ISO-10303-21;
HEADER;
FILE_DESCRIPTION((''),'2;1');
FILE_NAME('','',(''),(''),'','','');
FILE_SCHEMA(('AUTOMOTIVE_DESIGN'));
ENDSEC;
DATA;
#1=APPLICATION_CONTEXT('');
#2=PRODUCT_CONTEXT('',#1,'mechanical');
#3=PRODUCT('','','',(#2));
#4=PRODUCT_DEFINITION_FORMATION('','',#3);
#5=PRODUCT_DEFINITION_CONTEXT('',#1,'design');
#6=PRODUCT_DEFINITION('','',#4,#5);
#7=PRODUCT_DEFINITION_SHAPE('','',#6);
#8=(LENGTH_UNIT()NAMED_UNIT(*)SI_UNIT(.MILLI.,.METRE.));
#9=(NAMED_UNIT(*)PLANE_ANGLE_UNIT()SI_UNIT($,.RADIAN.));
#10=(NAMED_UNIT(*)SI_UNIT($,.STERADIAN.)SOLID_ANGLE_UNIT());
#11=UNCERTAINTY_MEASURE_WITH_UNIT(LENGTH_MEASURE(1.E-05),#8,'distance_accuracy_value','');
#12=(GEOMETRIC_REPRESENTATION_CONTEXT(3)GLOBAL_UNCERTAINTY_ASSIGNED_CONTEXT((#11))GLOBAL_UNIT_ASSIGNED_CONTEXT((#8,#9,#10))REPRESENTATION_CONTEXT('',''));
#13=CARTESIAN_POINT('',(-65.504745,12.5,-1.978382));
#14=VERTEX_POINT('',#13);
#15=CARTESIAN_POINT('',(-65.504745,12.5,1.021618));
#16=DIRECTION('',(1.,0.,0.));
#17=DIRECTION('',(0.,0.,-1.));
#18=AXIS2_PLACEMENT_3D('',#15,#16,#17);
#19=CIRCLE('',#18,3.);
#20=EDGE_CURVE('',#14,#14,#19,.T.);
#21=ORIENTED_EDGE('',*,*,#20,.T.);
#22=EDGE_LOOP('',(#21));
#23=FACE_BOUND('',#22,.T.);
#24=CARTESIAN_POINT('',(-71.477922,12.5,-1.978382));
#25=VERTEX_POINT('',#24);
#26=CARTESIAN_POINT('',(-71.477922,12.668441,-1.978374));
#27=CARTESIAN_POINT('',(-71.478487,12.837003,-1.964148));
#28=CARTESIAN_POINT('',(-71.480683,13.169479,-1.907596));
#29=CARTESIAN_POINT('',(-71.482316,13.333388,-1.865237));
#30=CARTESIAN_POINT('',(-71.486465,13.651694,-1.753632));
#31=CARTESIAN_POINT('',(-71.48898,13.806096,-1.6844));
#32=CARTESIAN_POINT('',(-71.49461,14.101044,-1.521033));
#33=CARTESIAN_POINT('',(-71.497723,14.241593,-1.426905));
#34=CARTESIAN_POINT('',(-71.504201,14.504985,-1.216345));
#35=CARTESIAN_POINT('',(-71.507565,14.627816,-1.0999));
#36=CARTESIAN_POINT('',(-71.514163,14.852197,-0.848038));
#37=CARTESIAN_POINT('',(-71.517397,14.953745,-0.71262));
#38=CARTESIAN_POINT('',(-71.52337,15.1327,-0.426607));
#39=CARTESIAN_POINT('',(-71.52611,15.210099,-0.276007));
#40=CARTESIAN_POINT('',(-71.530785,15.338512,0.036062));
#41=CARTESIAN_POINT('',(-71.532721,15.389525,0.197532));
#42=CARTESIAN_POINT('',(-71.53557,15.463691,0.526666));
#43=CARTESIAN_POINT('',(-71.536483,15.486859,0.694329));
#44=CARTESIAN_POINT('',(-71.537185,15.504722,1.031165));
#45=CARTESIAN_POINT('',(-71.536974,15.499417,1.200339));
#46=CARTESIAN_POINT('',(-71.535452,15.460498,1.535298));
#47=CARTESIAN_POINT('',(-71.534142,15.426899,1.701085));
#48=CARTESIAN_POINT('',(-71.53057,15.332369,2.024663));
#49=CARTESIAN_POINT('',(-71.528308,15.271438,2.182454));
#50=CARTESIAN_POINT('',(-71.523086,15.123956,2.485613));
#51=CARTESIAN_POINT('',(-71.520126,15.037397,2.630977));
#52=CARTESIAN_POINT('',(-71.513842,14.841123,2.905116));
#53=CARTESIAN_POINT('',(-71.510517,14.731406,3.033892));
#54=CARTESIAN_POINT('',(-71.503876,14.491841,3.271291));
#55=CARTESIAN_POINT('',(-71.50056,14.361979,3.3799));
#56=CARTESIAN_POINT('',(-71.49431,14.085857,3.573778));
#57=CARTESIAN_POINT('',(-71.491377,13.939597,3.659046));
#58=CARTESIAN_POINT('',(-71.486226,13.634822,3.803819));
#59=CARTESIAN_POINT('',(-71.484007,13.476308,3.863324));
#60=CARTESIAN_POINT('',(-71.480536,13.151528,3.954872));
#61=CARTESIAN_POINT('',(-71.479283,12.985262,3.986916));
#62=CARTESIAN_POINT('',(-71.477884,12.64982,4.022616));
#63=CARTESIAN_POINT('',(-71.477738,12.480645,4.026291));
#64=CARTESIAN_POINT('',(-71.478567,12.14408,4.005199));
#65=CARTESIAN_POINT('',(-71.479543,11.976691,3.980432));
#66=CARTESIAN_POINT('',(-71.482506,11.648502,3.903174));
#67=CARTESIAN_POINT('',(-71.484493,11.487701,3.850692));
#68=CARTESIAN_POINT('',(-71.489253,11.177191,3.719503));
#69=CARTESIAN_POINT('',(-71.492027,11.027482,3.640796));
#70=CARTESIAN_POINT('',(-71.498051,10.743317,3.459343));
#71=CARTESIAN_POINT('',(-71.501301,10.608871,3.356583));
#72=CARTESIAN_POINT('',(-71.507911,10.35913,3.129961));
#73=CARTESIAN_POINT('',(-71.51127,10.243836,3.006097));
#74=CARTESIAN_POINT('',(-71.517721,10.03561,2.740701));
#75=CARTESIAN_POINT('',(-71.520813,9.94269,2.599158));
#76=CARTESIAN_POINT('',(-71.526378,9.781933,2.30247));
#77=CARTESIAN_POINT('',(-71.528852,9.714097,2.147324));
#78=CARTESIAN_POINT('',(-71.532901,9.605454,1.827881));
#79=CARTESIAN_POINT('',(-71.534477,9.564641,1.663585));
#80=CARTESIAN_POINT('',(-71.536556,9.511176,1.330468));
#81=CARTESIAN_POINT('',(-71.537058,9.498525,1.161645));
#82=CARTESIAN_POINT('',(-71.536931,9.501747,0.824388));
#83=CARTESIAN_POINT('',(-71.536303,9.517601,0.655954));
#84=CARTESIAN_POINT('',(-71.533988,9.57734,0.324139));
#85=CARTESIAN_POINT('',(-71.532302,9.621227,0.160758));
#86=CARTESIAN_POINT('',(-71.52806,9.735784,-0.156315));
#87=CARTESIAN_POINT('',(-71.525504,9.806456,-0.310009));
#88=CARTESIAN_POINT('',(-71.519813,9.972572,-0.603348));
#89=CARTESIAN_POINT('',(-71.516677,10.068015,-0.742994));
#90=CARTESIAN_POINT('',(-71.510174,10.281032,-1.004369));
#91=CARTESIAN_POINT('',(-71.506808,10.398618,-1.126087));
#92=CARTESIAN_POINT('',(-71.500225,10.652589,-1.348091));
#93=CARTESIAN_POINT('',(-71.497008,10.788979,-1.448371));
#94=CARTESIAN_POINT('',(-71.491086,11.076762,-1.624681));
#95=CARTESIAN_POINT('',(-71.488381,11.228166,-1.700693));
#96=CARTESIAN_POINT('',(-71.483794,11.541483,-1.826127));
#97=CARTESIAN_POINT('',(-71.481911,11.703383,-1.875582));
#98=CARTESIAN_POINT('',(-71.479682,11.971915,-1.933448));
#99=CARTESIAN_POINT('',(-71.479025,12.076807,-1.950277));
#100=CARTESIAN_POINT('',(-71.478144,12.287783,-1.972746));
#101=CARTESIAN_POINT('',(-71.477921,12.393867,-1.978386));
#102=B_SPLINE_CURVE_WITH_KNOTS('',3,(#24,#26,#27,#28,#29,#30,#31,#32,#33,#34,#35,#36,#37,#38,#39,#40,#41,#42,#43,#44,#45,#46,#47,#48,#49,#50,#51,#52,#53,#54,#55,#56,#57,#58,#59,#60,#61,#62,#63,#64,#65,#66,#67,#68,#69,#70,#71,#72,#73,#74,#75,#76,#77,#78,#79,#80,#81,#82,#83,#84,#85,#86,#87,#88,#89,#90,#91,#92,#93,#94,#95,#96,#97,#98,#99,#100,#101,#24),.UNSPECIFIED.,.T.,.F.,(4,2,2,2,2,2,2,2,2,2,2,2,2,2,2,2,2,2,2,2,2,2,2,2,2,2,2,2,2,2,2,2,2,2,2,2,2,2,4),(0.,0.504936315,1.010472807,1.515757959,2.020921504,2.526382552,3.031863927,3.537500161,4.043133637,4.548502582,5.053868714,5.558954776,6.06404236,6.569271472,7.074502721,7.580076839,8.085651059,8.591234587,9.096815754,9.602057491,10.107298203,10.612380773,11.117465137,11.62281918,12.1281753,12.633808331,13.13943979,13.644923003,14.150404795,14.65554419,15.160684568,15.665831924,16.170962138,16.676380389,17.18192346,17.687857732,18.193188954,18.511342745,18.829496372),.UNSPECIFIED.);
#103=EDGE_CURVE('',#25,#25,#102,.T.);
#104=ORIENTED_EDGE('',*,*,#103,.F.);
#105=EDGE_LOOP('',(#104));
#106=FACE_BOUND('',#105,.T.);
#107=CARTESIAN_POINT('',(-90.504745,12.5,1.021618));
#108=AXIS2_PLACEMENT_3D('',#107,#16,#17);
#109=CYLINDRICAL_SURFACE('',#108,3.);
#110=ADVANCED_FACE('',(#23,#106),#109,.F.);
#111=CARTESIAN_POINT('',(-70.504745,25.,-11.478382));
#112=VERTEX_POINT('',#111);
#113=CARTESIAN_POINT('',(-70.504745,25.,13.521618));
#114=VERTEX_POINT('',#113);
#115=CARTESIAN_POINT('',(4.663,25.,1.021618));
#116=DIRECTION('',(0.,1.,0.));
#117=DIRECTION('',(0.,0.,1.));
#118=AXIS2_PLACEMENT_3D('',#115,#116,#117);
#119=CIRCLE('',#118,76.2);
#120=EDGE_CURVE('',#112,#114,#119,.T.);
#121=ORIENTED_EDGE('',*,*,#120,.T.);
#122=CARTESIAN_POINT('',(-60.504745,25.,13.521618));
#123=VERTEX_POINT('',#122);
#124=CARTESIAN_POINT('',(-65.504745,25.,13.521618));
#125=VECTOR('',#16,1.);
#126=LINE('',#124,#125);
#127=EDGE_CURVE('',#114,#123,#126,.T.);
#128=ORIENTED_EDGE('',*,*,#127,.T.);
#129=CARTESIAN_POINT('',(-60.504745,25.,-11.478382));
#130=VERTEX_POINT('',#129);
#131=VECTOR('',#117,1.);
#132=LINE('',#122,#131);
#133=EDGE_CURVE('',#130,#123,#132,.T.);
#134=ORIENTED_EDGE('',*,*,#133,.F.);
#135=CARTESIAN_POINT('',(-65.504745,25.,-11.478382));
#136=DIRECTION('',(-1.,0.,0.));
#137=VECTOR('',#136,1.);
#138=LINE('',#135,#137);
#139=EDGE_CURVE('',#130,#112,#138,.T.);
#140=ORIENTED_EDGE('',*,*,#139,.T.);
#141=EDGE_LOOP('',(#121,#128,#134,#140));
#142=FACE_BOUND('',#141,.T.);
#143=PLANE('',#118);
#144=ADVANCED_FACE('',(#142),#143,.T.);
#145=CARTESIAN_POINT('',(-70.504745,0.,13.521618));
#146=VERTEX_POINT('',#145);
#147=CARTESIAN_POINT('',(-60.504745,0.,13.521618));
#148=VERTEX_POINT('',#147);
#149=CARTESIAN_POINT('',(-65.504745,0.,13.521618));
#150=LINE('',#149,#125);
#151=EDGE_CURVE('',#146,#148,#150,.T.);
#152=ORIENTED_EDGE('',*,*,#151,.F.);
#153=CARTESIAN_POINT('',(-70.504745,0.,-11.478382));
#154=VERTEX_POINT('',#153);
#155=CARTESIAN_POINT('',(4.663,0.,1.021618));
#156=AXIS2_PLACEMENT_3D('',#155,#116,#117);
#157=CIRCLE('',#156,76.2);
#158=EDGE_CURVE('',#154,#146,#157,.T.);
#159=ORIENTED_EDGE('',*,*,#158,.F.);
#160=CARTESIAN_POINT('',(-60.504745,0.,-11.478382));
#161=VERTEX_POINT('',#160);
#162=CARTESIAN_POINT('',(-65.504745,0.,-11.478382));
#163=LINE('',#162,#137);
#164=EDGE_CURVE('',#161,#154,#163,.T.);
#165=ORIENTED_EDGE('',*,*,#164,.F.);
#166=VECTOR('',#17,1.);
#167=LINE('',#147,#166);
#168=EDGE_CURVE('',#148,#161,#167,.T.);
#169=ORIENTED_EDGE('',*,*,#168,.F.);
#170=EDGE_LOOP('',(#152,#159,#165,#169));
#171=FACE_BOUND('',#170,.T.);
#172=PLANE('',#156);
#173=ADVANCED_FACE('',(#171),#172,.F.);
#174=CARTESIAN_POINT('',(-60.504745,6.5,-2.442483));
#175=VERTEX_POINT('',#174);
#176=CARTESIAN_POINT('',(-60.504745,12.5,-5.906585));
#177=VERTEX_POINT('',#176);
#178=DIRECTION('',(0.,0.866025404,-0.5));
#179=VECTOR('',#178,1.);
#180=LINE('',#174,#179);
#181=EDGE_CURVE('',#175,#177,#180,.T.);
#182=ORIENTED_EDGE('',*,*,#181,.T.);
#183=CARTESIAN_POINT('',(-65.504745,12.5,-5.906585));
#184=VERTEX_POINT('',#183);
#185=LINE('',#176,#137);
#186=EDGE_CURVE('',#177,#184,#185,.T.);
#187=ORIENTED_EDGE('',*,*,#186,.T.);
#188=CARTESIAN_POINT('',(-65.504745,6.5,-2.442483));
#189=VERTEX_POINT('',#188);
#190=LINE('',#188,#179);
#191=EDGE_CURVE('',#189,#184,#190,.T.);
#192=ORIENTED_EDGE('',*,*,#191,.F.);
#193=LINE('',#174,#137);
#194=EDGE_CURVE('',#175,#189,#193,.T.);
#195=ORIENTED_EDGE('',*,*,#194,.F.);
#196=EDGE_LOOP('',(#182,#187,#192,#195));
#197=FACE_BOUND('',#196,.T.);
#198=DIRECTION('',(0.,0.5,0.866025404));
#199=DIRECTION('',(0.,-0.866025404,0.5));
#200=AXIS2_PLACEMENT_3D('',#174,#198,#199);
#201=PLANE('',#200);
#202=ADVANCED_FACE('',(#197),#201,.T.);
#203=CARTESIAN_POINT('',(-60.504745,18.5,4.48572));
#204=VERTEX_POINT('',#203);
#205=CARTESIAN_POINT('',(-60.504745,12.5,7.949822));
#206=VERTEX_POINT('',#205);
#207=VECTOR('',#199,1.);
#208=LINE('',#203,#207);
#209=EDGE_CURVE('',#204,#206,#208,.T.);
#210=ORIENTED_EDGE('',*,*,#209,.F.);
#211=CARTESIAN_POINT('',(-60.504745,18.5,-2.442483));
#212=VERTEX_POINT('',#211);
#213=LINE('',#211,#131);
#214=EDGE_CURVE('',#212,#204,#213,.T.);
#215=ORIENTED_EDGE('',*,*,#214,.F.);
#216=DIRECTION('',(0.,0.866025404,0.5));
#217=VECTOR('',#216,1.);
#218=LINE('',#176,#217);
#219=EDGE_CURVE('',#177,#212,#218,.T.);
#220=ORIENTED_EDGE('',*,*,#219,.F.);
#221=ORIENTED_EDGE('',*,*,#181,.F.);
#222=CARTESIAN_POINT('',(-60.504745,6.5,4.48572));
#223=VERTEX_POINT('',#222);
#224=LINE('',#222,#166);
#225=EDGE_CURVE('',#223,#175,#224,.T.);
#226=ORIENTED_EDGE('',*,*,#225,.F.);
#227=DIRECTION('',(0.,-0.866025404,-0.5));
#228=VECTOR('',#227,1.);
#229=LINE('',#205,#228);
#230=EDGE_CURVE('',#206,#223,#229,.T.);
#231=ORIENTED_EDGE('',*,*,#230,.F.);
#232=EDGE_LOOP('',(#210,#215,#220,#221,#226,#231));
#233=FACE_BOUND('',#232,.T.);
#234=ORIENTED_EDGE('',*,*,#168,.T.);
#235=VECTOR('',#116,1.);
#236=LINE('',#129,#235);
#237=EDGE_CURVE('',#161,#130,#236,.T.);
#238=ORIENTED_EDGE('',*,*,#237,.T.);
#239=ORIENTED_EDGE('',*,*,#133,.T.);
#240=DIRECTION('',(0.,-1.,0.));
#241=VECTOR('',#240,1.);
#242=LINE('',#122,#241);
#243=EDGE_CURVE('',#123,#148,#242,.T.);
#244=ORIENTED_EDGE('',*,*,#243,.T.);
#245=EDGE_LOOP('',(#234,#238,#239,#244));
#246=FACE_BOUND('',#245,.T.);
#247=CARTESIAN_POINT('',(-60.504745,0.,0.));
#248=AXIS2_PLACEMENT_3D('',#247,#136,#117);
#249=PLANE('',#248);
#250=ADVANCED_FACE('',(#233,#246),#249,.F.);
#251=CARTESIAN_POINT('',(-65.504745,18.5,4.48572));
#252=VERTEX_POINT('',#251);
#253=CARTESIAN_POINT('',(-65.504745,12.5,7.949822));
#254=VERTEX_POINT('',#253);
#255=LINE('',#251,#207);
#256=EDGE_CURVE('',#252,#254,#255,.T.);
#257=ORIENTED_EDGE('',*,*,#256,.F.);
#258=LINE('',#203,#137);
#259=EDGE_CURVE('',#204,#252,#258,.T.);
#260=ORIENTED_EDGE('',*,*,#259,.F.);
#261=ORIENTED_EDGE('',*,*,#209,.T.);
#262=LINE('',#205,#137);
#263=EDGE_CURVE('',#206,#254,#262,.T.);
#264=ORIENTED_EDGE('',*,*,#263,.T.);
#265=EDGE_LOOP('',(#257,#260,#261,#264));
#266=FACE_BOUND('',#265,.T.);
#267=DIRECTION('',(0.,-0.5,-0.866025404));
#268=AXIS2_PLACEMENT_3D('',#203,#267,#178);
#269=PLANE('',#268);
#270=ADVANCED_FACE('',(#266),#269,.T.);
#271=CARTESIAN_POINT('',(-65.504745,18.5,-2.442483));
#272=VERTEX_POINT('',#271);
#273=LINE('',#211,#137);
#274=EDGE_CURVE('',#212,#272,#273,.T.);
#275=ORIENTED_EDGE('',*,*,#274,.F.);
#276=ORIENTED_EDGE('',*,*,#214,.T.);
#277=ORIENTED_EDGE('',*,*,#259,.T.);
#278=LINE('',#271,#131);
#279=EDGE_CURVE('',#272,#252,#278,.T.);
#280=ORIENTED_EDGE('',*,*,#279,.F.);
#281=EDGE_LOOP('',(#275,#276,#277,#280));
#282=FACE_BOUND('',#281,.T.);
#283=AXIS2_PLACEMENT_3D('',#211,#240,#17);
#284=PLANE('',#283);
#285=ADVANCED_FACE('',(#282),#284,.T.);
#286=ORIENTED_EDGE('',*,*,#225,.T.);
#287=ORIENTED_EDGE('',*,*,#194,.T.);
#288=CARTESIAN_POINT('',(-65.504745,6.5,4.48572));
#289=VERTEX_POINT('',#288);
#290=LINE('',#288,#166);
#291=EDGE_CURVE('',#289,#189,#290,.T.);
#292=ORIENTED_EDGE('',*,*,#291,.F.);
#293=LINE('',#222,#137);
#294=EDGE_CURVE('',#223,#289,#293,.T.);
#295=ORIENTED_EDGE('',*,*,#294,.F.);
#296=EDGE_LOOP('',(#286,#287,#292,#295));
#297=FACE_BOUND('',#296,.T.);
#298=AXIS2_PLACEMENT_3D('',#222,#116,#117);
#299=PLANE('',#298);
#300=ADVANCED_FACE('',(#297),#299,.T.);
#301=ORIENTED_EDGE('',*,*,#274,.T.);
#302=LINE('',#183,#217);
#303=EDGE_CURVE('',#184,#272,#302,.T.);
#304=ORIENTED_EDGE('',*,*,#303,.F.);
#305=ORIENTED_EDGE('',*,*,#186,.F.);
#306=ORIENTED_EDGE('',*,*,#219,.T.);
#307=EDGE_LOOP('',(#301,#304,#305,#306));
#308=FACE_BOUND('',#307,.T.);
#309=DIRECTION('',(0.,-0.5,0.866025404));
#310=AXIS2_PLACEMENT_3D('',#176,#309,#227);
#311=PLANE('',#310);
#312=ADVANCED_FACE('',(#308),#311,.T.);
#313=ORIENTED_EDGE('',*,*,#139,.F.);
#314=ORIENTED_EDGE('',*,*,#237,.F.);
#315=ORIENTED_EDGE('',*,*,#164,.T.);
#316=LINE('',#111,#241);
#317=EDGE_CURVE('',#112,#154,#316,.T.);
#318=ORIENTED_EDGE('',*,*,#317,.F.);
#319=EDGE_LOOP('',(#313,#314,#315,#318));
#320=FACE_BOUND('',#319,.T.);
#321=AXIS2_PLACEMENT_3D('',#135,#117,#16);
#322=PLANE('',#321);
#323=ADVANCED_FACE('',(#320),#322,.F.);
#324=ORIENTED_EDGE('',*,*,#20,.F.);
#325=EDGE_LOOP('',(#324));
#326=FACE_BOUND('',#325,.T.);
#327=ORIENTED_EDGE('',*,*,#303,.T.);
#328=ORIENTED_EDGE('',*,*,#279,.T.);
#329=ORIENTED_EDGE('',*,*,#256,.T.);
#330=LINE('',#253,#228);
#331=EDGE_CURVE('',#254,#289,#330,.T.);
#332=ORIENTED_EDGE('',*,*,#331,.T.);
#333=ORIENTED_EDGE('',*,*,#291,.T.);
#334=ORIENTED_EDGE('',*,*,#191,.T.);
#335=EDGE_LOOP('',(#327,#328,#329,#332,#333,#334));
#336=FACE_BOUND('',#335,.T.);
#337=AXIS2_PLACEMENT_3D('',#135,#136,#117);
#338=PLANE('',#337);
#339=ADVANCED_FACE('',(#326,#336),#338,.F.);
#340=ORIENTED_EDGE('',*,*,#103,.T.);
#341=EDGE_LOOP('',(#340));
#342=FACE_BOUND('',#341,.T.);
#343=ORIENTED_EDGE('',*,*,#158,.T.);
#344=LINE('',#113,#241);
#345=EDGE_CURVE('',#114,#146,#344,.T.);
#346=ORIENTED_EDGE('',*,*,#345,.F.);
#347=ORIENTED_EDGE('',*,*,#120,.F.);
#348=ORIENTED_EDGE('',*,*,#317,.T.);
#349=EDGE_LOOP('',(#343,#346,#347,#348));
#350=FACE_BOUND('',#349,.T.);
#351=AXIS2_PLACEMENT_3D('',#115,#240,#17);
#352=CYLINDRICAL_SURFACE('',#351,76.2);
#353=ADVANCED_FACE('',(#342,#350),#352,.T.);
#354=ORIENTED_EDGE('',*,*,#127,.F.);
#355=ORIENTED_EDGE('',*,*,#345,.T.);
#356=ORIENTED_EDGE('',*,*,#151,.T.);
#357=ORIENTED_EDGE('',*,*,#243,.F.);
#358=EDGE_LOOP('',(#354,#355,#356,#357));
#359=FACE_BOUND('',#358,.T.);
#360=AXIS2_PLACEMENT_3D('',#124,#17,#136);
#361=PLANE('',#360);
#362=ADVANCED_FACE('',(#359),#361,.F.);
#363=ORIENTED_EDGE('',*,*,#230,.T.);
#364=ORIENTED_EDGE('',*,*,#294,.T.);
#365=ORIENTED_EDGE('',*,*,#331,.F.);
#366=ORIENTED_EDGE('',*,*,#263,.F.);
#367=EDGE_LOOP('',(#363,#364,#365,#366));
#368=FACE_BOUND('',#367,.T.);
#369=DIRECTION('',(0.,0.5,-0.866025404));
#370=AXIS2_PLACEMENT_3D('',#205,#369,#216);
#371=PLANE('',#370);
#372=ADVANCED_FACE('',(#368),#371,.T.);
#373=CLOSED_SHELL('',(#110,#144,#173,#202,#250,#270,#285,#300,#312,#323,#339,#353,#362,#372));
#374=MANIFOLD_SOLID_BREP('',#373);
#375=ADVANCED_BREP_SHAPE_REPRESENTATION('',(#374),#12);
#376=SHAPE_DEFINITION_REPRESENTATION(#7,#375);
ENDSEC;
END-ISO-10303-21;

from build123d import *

# Parameters (mm, degrees)
BOSS_EXTRUDE1_DEPTH = 25
SKETCH2_R           = 3
CUT_EXTRUDE1_DEPTH  = 25
SKETCH3_W           = 25
SKETCH3_H           = 25
BOSS_EXTRUDE2_DEPTH = 5


with BuildPart() as part:
    # Sketch1 → Boss-Extrude1 (new body)
    with BuildSketch(Plane(origin=(0, 0, 0), x_dir=(1, 0, 0), z_dir=(0, 1, 0))):
        with BuildLine():
            Line((-65.504745346, 11.478381524), (-65.504745346, -13.521618476))
            Line((-65.504745346, -13.521618476), (-70.504745346, -13.521618476))
            ThreePointArc((-70.504745346, -13.521618476), (-71.536999603, -1.021618476), (-70.504745346, 11.478381524))
            Line((-70.504745346, 11.478381524), (-65.504745346, 11.478381524))
        make_face()
    extrude(amount=BOSS_EXTRUDE1_DEPTH)

    # Sketch2 → Cut-Extrude1 (cut)
    with BuildSketch(Plane(origin=(-65.504745346, 0, 0), x_dir=(0, 0, -1), z_dir=(1, 0, 0))):
        with Locations((-1.021618476, 12.5)):
            Circle(SKETCH2_R)
    extrude(amount=-CUT_EXTRUDE1_DEPTH, mode=Mode.SUBTRACT)

    # Sketch3 → Boss-Extrude2 (add)
    with BuildSketch(Plane(origin=(-65.504745346, 0, 0), x_dir=(0, 0, -1), z_dir=(1, 0, 0))):
        with Locations((-1.021618476, 12.5)):
            Rectangle(SKETCH3_W, SKETCH3_H)
        Polygon((5.906584755, 12.5), (2.442483139, 18.5), (-4.485720091, 18.5), (-7.949821706, 12.5), (-4.485720091, 6.5), (2.442483139, 6.5), align=None, mode=Mode.SUBTRACT)
    extrude(amount=BOSS_EXTRUDE2_DEPTH)


solid = part.part
